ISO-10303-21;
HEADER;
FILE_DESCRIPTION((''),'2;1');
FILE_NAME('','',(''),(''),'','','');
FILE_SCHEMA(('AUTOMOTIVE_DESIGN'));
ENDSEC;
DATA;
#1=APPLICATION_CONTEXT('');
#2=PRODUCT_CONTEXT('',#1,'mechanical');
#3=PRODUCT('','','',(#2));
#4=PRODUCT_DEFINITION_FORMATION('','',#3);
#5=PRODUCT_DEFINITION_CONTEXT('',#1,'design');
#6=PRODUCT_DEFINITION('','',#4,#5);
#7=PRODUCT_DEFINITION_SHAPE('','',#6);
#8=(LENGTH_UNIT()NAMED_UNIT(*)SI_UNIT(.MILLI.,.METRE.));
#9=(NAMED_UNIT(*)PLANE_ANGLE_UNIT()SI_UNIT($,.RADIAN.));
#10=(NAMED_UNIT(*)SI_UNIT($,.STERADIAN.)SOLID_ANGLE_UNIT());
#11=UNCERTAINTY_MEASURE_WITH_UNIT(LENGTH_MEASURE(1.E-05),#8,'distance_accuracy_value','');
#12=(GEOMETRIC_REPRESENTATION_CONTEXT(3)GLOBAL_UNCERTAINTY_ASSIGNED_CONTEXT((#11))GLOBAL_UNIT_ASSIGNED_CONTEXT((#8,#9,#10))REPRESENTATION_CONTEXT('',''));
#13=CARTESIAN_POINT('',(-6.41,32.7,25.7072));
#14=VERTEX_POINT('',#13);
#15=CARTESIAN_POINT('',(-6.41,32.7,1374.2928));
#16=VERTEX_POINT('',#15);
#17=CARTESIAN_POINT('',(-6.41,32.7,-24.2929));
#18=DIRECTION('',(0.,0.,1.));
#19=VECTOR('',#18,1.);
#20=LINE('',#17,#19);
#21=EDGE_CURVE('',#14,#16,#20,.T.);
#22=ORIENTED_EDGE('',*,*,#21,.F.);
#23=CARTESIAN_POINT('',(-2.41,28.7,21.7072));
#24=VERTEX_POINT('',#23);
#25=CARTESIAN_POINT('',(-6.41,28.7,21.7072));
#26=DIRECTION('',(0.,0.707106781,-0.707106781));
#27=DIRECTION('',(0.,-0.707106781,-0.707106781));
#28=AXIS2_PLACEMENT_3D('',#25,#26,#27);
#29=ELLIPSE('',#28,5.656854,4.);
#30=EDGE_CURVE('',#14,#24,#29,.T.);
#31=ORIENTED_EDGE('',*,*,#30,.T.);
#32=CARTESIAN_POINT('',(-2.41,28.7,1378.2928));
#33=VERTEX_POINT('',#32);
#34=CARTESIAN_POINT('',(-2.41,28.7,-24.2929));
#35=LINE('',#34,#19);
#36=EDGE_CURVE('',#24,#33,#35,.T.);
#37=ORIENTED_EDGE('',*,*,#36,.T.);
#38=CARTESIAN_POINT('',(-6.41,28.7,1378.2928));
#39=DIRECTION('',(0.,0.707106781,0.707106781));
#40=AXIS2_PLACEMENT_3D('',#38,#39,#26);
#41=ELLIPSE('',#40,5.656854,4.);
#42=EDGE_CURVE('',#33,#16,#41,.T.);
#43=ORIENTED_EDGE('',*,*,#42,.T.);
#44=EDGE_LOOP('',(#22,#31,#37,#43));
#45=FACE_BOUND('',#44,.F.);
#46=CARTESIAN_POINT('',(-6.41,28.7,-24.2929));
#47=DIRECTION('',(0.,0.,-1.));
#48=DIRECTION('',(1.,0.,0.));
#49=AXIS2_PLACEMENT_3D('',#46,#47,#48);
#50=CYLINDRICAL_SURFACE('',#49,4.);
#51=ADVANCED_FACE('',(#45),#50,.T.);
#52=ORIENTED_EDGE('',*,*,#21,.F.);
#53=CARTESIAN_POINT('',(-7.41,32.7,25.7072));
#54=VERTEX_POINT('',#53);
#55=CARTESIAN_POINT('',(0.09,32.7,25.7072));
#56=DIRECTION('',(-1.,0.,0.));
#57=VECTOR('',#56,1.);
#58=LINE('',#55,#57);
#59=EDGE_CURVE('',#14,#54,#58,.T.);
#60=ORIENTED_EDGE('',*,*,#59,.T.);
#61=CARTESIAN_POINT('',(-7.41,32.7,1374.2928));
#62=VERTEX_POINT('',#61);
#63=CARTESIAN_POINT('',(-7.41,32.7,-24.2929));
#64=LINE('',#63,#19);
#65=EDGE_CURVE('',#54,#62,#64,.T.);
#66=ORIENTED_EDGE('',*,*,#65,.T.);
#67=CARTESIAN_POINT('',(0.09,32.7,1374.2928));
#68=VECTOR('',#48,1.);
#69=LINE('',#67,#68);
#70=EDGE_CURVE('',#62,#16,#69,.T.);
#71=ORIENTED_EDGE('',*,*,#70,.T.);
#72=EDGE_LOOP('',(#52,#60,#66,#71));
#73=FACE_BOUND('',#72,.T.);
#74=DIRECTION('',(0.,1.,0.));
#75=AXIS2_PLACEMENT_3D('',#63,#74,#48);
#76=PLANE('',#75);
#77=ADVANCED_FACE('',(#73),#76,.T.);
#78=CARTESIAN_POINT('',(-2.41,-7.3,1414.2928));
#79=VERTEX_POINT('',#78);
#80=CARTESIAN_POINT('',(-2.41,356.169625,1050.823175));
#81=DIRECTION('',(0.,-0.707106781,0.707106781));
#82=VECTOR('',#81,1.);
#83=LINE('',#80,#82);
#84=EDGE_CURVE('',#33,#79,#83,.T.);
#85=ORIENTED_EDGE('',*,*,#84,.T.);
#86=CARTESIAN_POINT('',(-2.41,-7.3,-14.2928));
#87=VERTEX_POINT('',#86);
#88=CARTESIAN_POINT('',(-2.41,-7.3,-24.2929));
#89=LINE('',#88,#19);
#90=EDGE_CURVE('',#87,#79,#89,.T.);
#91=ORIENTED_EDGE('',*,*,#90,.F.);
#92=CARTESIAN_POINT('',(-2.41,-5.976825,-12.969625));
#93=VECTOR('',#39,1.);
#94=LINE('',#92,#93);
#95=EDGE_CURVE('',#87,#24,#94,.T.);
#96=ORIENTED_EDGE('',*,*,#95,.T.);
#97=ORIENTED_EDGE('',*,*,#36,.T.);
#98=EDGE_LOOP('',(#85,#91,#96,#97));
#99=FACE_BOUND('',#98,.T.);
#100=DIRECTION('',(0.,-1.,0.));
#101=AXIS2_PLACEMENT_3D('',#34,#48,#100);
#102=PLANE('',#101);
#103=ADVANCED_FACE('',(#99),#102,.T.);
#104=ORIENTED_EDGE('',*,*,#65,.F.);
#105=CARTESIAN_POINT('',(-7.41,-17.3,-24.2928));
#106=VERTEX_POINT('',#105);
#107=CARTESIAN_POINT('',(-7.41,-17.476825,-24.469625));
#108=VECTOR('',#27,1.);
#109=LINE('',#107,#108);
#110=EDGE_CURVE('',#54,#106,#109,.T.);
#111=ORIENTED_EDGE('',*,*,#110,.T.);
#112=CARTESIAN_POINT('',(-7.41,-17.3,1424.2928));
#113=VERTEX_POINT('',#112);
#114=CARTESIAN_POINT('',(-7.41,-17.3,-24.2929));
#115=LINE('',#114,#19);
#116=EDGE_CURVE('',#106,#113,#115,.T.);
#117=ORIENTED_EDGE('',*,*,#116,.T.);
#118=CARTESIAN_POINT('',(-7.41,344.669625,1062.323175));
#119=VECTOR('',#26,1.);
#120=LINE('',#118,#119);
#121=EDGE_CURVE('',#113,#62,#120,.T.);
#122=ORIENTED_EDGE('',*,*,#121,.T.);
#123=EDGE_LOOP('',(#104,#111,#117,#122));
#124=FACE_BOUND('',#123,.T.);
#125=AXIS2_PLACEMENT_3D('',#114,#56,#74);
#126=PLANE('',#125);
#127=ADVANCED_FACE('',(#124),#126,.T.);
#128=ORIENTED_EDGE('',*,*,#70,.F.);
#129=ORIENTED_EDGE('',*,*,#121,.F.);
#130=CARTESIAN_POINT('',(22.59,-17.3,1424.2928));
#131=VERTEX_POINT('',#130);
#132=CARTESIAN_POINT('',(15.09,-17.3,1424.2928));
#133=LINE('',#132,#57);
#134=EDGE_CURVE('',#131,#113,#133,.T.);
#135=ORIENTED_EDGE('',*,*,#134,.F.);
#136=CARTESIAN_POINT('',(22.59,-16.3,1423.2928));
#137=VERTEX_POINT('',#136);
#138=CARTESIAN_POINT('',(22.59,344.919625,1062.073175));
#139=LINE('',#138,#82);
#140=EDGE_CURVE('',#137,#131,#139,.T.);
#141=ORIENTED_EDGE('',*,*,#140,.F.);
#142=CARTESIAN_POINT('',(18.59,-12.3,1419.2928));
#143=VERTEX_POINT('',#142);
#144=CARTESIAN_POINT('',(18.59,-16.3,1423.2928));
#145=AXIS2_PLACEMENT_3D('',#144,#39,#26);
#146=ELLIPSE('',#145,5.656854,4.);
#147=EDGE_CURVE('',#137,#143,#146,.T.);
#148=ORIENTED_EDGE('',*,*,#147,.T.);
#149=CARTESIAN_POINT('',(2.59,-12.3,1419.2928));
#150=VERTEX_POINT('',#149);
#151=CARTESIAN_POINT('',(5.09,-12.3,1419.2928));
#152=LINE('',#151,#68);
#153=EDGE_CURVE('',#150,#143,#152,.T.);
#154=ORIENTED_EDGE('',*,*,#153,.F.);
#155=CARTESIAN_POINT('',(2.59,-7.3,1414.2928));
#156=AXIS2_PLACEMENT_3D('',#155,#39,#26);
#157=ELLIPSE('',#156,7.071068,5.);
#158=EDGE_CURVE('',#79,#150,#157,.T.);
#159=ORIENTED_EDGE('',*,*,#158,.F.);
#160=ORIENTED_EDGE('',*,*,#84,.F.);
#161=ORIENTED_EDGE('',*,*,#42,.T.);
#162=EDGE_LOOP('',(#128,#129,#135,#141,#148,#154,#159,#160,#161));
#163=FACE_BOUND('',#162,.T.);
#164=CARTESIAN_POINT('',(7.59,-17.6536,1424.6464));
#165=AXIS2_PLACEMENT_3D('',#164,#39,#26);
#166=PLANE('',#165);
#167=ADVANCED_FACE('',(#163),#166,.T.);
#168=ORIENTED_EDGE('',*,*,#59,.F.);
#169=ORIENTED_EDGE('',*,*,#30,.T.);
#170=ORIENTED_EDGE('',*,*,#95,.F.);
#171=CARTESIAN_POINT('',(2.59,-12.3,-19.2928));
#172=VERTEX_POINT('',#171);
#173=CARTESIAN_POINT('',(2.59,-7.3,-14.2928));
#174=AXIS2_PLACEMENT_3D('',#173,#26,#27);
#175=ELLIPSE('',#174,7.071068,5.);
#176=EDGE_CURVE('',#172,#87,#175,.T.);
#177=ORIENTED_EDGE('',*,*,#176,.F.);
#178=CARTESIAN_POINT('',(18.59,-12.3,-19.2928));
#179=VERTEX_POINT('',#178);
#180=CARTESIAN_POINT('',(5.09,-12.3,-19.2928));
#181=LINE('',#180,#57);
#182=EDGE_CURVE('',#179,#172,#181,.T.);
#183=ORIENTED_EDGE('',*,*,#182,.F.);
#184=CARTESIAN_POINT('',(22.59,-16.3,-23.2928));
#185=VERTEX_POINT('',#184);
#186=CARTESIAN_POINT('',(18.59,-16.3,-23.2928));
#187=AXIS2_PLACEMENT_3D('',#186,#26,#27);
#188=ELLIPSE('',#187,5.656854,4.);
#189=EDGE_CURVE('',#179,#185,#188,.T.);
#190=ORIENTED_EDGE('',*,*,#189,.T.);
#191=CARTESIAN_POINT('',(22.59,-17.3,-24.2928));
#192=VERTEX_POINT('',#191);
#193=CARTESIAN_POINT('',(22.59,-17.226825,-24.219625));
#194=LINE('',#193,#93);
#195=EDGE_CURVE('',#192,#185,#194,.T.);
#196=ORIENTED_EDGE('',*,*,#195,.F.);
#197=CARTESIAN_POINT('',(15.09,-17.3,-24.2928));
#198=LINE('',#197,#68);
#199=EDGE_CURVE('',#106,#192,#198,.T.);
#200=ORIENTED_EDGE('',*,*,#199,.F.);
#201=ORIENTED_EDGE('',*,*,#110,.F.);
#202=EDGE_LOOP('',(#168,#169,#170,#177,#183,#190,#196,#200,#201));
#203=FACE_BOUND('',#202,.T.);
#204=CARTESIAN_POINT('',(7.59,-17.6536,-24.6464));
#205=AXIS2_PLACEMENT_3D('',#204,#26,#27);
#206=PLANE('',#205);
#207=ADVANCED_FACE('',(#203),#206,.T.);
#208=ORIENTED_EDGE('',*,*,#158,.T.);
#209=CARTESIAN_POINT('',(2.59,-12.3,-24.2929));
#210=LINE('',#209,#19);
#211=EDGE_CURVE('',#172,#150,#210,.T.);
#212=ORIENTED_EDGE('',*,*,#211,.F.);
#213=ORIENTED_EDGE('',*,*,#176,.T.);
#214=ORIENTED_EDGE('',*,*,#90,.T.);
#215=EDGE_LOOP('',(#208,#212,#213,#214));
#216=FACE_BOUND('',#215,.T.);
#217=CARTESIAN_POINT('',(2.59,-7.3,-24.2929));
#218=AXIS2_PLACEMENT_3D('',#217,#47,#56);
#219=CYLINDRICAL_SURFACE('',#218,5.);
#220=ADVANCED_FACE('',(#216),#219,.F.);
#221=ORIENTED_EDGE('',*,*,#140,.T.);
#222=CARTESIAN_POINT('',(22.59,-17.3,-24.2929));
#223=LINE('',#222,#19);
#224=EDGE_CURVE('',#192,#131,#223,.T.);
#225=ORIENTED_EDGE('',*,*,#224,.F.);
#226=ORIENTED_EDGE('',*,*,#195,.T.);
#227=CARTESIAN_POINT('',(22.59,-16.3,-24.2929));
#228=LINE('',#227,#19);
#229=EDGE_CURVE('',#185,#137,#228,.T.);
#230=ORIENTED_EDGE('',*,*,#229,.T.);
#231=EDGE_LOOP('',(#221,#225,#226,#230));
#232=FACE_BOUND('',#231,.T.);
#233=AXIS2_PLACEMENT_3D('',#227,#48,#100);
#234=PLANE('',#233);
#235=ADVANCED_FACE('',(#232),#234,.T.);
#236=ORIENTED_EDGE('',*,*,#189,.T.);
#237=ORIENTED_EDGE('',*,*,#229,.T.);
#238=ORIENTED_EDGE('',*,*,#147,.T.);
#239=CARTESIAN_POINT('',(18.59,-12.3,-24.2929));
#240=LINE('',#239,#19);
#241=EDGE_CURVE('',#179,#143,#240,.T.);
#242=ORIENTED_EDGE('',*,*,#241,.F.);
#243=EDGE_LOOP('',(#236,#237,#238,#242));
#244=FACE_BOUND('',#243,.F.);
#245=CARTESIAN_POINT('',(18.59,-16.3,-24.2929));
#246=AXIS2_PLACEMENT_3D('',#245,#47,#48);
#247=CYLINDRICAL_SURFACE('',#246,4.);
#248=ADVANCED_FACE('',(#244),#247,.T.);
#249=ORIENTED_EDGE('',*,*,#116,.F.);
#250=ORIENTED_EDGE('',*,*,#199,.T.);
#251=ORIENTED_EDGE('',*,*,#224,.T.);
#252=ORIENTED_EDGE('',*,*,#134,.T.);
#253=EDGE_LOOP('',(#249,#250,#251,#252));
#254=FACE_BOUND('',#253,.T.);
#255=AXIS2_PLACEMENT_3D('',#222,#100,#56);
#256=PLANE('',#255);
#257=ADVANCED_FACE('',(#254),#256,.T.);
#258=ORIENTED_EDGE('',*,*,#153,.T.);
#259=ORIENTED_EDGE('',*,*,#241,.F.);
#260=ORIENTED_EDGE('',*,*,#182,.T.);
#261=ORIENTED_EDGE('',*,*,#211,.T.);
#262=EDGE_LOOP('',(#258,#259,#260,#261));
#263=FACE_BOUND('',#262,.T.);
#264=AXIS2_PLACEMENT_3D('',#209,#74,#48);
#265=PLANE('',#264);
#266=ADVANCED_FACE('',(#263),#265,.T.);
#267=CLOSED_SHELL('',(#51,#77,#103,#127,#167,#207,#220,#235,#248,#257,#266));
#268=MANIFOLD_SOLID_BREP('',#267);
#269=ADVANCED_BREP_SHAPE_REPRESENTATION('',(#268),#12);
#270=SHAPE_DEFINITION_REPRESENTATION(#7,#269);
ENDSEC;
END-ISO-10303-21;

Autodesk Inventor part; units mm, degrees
ref_plane "Start Plane" through (0, 0, -24.2929) normal (0, 0, 1) x (1, 0, 0)
ref_plane "End Plane" through (0, 0, 1424.2929) normal (0, 0, 1) x (1, 0, 0)
sketch "Sketch" plane through (0, 0, 0) normal (0, 0, 1) x (1, 0, 0)
  line L0 (-2.41, 28.7) -> (-2.41, -7.3)
  line L1 (-7.41, 32.7) -> (-6.41, 32.7)
  line L2 (-7.41, -17.3) -> (-7.41, 32.7)
  line L3 (22.59, -17.3) -> (-7.41, -17.3)
  line L4 (22.59, -16.3) -> (22.59, -17.3)
  line L5 (2.59, -12.3) -> (18.59, -12.3)
  arc A0 (-2.41, -7.3) -> (2.59, -12.3) centre (2.59, -7.3) ccw
  arc A1 (-2.41, 28.7) -> (-6.41, 32.7) centre (-6.41, 28.7) ccw
  arc A2 (22.59, -16.3) -> (18.59, -12.3) centre (18.59, -16.3) ccw
  line L6 (0, 43.6941) -> (0, -27.4657) construction
  line L7 (-13.5757, 0) -> (29.5841, 0) construction
  point P0 (-2.41, 32.7)
  point P1 (-2.41, -12.3)
  point P2 (22.59, -12.3)
  dimension "d4" = 30
  dimension "d6" = 50
  dimension "d8" = 5
  dimension "d10" = 5
  dimension "d17" = 5
  dimension "d18" = 4
  dimension "d19" = 17.3
  dimension "d20" = 7.41
extrude "Body" add sketch "Sketch" along normal up to surface (1448.5858 mm away) from surface at -24.2929
sketch "Sketch3" plane through (0, 0, 0) normal (0, 0, 1) x (1, 0, 0)
  line L0 (0, 0) -> (10, 0)
ref_plane "Work Plane10" through (0, 0, 0) normal (0, -1, 0) x (1, 0, 0)
sketch "Sketch4" plane through (0, 0, 0) normal (0, -1, 0) x (1, 0, 0)
  line L0 (-2, -24.2929) -> (12, -24.2929)
  line L1 (-2, 1424.2929) -> (12, 1424.2929)
  dimension "d24" = 1448.5858
ref_plane "Work Plane11" through (7.59, -17.6536, -24.6464) normal (0, 0.7071, -0.7071) x (1, 0, 0)
split "Split1" plane through (7.59, -17.6536, -24.6464) removes the side toward (0, 0.7071, -0.7071)
ref_plane "Work Plane12" through (7.59, -17.6536, 1424.6464) normal (0, 0.7071, 0.7071) x (1, 0, 0)
split "Split2" plane through (7.59, -17.6536, 1424.6464) removes the side toward (0, 0.7071, 0.7071)
equation "\"d4\" = b"
equation "\"d6\" = ParH"
equation "\"d8\" = ParT"
equation "\"d10\" = ParT"
equation "\"d17\" = R"
equation "\"d18\" = R1"
equation "\"d19\" = ex"
equation "\"d20\" = ey"
equation "\"d11\" = G_L"
equation "\"b\" = 30"
equation "\"ParT\" = 5"
equation "\"R1\" = 4"
equation "\"G_L\" = d24"
equation "\"ParH\" = 50"
equation "\"R\" = 5"
equation "\"ey\" = 7.41"
equation "\"ex\" = 17.3"
equation "\"G_OFFSET_START\" = 24.29289"
equation "\"G_OFFSET_END\" = 24.29289"
equation "\"d21\" = -G_OFFSET_START"
equation "\"d22\" = G_OFFSET_END + B_L"
equation "\"B_L\" = 1400"
properties part number "ISO 657-2 - 50x 30x 5-1448.59" material "Steel, Mild"
